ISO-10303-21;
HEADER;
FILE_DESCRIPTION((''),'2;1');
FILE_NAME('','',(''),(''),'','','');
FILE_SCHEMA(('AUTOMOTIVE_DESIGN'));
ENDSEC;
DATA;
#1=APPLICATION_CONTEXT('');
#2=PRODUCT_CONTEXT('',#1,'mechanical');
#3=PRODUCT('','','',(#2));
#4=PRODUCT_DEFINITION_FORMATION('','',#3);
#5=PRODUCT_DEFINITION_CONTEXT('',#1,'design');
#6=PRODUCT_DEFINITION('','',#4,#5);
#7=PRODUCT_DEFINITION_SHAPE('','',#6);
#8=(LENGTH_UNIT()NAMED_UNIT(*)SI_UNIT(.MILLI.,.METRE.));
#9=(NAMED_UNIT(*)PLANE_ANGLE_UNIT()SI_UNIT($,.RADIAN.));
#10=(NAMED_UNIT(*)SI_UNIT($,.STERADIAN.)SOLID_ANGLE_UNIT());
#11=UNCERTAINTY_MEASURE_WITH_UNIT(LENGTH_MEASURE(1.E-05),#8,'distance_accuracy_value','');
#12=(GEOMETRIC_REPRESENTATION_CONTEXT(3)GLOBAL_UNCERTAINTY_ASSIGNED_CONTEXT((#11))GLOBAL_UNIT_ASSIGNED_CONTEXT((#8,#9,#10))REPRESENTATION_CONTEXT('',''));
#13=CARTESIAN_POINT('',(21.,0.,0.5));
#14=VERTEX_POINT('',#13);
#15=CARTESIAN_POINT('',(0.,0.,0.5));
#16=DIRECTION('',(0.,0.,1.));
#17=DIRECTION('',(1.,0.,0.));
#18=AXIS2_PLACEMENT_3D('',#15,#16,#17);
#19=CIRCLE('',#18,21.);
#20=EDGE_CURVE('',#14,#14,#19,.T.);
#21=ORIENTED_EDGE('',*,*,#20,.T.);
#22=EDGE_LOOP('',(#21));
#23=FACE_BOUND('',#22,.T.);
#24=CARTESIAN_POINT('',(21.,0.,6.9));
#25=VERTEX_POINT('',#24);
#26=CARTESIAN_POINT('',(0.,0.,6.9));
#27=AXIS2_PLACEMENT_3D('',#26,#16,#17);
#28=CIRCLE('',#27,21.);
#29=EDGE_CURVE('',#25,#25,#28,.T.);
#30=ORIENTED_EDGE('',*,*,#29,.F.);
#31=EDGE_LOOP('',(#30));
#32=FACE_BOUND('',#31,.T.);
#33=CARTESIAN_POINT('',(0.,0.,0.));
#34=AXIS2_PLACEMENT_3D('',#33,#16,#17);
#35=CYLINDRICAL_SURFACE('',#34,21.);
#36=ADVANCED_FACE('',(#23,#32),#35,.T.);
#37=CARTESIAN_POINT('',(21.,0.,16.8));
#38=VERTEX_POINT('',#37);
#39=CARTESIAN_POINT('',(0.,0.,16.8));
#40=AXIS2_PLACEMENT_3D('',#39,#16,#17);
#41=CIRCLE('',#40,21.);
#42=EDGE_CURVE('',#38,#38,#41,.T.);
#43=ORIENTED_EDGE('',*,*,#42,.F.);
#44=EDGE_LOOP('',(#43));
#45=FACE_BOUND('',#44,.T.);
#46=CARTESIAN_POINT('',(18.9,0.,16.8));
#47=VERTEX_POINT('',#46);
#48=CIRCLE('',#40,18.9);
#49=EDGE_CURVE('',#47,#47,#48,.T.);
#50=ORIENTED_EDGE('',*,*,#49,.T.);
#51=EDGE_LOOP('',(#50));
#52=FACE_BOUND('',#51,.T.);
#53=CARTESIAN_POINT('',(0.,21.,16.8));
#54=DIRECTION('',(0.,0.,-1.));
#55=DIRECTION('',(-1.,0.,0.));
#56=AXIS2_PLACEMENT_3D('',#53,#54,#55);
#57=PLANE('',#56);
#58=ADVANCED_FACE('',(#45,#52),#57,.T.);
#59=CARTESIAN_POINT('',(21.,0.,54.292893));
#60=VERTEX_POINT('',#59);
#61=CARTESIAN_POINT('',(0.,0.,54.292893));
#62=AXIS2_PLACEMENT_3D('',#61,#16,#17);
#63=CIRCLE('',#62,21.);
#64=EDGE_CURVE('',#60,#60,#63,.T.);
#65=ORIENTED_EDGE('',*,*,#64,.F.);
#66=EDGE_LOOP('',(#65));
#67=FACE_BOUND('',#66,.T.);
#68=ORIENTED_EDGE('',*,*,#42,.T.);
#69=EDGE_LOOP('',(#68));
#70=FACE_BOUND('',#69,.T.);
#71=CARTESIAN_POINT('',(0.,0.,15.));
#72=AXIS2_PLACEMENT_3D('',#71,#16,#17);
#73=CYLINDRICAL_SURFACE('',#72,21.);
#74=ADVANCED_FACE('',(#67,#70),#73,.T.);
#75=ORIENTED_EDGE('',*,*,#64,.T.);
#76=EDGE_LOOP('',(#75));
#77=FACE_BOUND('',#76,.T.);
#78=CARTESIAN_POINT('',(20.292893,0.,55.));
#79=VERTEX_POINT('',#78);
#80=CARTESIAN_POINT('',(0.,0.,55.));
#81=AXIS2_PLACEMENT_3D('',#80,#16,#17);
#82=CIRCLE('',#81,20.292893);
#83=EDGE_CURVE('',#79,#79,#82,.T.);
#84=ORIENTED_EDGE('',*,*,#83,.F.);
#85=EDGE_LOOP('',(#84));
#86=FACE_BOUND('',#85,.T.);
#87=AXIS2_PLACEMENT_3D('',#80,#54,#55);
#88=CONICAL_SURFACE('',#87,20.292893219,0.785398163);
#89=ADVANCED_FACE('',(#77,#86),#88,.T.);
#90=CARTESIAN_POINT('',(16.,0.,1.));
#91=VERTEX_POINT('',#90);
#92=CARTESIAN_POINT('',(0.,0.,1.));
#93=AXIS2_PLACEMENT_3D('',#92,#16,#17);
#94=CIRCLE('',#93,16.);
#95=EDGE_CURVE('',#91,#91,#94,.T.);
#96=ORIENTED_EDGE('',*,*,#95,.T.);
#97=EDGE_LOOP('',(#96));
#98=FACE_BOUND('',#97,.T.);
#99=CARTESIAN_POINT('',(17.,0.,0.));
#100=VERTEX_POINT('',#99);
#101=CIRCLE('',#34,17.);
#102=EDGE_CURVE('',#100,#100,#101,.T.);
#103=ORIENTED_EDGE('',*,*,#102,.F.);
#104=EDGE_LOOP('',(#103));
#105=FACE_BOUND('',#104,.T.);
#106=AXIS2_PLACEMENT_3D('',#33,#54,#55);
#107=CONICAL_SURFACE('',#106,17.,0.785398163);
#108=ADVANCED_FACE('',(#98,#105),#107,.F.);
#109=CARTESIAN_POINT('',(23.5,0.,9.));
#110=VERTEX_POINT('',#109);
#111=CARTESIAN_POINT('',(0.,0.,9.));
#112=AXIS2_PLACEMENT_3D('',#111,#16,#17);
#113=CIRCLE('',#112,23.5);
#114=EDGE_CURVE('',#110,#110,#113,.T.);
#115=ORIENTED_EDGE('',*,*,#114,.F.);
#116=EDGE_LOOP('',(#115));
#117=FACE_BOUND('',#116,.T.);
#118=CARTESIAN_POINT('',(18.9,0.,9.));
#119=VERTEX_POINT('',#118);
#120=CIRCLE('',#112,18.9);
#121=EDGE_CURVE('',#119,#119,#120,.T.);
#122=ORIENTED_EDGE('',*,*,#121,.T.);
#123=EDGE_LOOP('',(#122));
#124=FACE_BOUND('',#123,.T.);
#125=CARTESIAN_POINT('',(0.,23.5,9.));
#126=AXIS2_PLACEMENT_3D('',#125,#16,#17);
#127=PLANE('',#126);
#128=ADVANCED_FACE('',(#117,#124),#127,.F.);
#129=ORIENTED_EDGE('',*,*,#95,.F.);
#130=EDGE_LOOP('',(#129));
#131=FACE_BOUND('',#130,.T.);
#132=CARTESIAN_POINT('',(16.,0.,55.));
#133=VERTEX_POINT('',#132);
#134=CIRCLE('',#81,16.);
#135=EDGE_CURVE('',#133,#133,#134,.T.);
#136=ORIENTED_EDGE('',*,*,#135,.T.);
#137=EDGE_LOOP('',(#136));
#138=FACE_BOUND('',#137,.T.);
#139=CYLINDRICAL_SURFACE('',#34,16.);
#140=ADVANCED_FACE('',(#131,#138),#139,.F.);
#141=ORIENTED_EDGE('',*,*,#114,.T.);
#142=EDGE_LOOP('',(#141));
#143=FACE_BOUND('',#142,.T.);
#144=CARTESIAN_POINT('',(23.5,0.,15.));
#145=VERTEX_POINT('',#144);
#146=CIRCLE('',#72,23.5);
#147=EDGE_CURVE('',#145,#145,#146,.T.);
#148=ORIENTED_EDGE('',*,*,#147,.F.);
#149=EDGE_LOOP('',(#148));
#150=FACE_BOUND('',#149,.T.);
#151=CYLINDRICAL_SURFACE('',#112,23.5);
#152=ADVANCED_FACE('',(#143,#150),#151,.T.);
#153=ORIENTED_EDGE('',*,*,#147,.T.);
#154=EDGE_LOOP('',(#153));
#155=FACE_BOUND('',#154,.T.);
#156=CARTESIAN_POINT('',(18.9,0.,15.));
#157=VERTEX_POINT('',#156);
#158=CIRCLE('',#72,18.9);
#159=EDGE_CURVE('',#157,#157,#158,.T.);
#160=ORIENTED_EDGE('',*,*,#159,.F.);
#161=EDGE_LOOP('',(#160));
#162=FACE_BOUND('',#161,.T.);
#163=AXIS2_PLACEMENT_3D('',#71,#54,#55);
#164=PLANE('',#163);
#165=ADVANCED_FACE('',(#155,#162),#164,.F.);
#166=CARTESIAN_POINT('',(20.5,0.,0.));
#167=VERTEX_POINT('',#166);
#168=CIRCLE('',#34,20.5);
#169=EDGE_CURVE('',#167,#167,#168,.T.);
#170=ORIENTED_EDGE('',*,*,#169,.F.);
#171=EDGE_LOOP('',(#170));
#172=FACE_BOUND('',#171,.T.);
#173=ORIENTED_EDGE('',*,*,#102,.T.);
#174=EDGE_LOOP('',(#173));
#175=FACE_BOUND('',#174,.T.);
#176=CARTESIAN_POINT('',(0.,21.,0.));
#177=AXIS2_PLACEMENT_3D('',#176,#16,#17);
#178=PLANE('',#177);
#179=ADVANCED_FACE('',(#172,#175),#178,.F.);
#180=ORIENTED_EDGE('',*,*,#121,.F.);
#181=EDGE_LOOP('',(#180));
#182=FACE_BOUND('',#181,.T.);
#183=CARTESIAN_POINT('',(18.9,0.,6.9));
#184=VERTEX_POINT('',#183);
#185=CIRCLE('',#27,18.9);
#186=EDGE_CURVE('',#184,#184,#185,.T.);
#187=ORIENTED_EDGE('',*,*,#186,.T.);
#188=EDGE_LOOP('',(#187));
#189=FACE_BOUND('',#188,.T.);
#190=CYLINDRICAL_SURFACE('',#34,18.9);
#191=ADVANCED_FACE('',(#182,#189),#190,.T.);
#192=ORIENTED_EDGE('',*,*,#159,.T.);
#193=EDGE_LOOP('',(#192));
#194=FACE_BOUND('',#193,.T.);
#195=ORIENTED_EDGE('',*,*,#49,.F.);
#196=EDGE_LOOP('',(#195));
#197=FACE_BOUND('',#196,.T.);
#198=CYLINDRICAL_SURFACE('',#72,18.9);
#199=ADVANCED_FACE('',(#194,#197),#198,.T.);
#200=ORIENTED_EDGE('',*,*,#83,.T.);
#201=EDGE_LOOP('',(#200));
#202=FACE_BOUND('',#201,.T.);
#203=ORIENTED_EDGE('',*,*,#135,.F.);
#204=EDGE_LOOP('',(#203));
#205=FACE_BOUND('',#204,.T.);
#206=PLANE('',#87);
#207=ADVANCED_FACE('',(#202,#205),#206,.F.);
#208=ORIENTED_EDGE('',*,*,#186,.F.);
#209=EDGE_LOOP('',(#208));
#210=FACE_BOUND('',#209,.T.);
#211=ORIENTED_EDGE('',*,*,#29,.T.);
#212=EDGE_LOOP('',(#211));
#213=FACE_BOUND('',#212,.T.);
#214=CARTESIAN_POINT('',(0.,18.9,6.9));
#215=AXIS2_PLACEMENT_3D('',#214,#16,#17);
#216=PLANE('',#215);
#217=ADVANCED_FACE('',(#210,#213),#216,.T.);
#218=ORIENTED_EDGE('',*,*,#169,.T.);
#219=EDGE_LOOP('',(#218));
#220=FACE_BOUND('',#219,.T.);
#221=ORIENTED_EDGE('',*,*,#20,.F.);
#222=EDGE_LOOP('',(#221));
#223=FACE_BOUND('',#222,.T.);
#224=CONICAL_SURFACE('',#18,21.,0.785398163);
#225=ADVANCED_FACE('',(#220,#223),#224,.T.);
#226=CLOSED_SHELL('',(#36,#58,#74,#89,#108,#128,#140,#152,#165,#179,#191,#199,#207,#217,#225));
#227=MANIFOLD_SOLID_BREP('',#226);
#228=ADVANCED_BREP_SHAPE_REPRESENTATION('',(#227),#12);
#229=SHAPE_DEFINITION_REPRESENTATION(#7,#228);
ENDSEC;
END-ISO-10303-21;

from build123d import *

# Parameters (mm, degrees)
SZKIC1_W = 6
SZKIC1_H = 23.5
SZKIC2_W = 40
SZKIC2_H = 21
SZKIC4_W = 1.8
SZKIC4_H = 2.1
SZKIC5_W = 9
SZKIC5_H = 21
SZKIC8_W = 2.1
SZKIC8_H = 2.1


with BuildPart() as part:
    # Szkic1 → Obrót1 (revolve)
    with BuildSketch(Plane(origin=(0, 0, 0), x_dir=(0, 0, -1), z_dir=(1, 0, 0))):
        with Locations((-12, 11.75)):
            Rectangle(SZKIC1_W, SZKIC1_H)
    revolve(axis=Axis((0, 0, 9), (0, 0, 1)))

    # Szkic2 → Obrót2 (revolve)
    with BuildSketch(Plane(origin=(0, 0, 0), x_dir=(0, 0, -1), z_dir=(1, 0, 0))):
        with Locations((-35, 10.5)):
            Rectangle(SZKIC2_W, SZKIC2_H)
    revolve(axis=Axis((0, 0, 15), (0, 0, 1)))

    # Szkic3 → Wycięcie-obrót1 (revolve, cut)
    with BuildSketch(Plane(origin=(0, 0, 0), x_dir=(0, 0, -1), z_dir=(1, 0, 0))):
        Polygon((-55, 20.292893219), (-54.292893219, 21), (-55, 21), align=None)
    revolve(axis=Axis((0, 0, 15), (0, 0, 1)), mode=Mode.SUBTRACT)

    # Szkic4 → Wycięcie-obrót2 (revolve, cut)
    with BuildSketch(Plane(origin=(0, 0, 0), x_dir=(0, 0, -1), z_dir=(1, 0, 0))):
        with Locations((-15.9, 19.95)):
            Rectangle(SZKIC4_W, SZKIC4_H)
    revolve(axis=Axis((0, 0, 15), (0, 0, 1)), mode=Mode.SUBTRACT)

    # Szkic5 → Obrót3 (revolve)
    with BuildSketch(Plane(origin=(0, 0, 0), x_dir=(0, 0, -1), z_dir=(1, 0, 0))):
        with Locations((-4.5, 10.5)):
            Rectangle(SZKIC5_W, SZKIC5_H)
    revolve(axis=Axis((0, 0, 0), (0, 0, 1)))

    # Szkic6 → Wycięcie-obrót3 (revolve, cut)
    with BuildSketch(Plane(origin=(0, 0, 0), x_dir=(0, 0, -1), z_dir=(1, 0, 0))):
        Polygon((-55, 0), (-55, 16), (-1, 16), (0, 17), (0, 0), align=None)
    revolve(axis=Axis((0, 0, 0), (0, 0, 1)), mode=Mode.SUBTRACT)

    # Szkic7 → Wycięcie-obrót4 (revolve, cut)
    with BuildSketch(Plane(origin=(0, 0, 0), x_dir=(0, 0, -1), z_dir=(1, 0, 0))):
        Polygon((-0.5, 21), (0, 20.5), (0, 21), align=None)
    revolve(axis=Axis((0, 0, 0), (0, 0, 1)), mode=Mode.SUBTRACT)

    # Szkic8 → Wycięcie-obrót5 (revolve, cut)
    with BuildSketch(Plane(origin=(0, 0, 0), x_dir=(0, 0, -1), z_dir=(1, 0, 0))):
        with Locations((-7.95, 19.95)):
            Rectangle(SZKIC8_W, SZKIC8_H)
    revolve(axis=Axis((0, 0, 0), (0, 0, 1)), mode=Mode.SUBTRACT)


solid = part.part
